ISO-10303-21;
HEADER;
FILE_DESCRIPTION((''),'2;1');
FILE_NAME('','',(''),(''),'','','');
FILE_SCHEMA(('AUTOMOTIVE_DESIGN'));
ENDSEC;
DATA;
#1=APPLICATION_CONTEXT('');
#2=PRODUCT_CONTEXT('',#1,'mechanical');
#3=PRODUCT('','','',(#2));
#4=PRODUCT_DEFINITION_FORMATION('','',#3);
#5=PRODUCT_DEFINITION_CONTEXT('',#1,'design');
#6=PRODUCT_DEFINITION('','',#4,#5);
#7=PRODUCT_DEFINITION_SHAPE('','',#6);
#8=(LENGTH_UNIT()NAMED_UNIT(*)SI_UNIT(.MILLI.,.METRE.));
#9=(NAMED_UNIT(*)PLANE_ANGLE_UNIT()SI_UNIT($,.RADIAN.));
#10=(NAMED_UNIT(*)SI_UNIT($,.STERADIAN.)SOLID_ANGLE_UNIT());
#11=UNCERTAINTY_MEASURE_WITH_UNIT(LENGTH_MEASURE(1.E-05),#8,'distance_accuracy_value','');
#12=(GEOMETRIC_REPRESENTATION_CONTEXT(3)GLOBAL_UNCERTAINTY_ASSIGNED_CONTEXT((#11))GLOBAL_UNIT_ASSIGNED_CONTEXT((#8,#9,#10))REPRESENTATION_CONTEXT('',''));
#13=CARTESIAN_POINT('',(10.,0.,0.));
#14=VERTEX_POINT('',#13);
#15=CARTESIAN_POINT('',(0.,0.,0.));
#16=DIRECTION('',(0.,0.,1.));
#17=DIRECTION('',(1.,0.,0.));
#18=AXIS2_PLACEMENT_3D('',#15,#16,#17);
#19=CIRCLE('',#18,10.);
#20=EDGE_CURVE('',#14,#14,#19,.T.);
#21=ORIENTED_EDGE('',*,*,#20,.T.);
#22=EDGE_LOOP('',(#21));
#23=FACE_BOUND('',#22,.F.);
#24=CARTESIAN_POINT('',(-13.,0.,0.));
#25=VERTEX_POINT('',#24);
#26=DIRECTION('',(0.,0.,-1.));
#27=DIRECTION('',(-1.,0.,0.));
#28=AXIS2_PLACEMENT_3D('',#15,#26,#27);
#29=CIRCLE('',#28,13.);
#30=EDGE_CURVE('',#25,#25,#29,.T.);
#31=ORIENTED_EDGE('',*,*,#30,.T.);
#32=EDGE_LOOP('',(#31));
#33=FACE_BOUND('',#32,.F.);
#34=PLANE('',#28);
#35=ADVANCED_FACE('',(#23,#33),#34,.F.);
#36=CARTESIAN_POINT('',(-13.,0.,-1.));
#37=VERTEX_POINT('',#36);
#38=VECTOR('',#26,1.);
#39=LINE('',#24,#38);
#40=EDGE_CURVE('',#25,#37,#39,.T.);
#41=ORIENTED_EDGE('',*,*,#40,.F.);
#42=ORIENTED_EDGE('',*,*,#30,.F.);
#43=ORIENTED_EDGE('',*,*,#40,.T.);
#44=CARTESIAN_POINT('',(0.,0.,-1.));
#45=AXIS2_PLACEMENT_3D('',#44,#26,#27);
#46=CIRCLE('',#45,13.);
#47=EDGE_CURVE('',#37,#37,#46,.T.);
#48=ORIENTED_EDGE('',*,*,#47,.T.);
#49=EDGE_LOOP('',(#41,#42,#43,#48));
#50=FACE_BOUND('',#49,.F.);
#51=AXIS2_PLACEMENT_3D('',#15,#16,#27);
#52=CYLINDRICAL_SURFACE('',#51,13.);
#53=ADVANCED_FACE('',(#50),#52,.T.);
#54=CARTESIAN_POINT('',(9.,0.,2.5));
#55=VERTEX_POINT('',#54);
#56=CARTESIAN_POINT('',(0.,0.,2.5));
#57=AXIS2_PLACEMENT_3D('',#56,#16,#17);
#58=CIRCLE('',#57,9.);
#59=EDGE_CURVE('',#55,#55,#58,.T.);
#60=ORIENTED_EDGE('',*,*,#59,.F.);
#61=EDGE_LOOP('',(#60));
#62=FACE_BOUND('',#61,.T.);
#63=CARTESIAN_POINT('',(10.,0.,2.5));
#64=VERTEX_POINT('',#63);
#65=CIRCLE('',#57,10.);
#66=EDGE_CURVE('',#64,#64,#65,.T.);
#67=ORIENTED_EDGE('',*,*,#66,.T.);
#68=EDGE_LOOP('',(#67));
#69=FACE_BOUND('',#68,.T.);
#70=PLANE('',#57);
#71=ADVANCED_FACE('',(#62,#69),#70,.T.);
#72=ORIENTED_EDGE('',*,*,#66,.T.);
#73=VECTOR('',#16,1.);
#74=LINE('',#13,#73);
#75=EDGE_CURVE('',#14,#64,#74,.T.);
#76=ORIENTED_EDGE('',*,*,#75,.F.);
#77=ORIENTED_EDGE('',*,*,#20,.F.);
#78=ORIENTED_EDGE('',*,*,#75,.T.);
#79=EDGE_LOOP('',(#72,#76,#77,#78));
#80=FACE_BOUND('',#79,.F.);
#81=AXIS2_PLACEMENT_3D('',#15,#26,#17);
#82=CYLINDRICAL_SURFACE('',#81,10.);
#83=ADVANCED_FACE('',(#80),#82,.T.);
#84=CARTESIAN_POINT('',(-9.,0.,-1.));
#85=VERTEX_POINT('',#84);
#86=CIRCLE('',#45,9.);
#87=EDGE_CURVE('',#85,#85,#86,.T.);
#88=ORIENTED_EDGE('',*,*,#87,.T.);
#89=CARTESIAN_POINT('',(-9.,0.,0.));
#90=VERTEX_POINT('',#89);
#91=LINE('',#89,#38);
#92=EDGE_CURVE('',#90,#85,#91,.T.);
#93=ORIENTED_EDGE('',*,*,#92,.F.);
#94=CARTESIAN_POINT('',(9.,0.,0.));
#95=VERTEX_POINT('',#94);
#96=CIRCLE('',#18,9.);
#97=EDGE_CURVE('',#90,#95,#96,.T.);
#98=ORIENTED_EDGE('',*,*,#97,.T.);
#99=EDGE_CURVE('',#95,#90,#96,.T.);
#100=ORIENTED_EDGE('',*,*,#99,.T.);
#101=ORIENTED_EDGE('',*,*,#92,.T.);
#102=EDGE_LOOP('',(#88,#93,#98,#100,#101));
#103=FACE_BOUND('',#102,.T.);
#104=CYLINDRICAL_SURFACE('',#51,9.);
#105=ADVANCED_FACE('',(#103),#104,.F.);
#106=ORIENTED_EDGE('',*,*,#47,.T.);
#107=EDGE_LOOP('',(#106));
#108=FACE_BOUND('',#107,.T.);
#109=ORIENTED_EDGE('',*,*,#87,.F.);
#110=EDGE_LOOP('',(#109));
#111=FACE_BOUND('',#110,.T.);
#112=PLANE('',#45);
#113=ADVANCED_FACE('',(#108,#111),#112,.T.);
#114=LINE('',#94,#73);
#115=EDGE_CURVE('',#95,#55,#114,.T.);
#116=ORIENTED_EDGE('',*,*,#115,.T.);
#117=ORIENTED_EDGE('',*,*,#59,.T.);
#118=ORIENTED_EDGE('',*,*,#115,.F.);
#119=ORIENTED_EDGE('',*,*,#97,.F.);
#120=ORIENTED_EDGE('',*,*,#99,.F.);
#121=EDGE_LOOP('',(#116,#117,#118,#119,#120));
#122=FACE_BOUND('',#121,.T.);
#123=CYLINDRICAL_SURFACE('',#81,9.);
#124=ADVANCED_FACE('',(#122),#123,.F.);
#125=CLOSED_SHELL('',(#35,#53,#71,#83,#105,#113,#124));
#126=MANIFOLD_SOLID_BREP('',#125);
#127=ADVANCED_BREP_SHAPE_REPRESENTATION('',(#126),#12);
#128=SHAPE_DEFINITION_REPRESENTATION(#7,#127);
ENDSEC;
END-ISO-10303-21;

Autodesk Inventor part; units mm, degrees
ref_plane "YZ Plane" through (0, 0, 0) normal (1, 0, 0) x (0, 1, 0)
ref_plane "XZ Plane" through (0, 0, 0) normal (0, 1, 0) x (-1, 0, 0)
ref_plane "XY Plane" through (0, 0, 0) normal (0, 0, 1) x (1, 0, 0)
sketch "スケッチ1" plane through (0, 0, 0) normal (0, 0, 1) x (1, 0, 0)
  circle A0 centre (0, 0) radius 9
  circle A1 centre (0, 0) radius 10
  dimension "d0" = 18
  dimension "d1" = 20
extrude "押し出し1" add sketch "スケッチ1" along normal blind 2.5
sketch "スケッチ2" plane through (0, 0, 0) normal (0, 0, -1) x (-1, 0, 0)
  circle A0 centre (0, 0) radius 9 projected
  circle A1 centre (0, 0) radius 10 projected
  circle A2 centre (0, 0) radius 13
  dimension "d4" = 26
extrude "押し出し2" add sketch "スケッチ2" along normal blind 1 contours A1 | A2
properties part number "オイレスフランジ付き18202.5" material "アセタール樹脂、黒"
